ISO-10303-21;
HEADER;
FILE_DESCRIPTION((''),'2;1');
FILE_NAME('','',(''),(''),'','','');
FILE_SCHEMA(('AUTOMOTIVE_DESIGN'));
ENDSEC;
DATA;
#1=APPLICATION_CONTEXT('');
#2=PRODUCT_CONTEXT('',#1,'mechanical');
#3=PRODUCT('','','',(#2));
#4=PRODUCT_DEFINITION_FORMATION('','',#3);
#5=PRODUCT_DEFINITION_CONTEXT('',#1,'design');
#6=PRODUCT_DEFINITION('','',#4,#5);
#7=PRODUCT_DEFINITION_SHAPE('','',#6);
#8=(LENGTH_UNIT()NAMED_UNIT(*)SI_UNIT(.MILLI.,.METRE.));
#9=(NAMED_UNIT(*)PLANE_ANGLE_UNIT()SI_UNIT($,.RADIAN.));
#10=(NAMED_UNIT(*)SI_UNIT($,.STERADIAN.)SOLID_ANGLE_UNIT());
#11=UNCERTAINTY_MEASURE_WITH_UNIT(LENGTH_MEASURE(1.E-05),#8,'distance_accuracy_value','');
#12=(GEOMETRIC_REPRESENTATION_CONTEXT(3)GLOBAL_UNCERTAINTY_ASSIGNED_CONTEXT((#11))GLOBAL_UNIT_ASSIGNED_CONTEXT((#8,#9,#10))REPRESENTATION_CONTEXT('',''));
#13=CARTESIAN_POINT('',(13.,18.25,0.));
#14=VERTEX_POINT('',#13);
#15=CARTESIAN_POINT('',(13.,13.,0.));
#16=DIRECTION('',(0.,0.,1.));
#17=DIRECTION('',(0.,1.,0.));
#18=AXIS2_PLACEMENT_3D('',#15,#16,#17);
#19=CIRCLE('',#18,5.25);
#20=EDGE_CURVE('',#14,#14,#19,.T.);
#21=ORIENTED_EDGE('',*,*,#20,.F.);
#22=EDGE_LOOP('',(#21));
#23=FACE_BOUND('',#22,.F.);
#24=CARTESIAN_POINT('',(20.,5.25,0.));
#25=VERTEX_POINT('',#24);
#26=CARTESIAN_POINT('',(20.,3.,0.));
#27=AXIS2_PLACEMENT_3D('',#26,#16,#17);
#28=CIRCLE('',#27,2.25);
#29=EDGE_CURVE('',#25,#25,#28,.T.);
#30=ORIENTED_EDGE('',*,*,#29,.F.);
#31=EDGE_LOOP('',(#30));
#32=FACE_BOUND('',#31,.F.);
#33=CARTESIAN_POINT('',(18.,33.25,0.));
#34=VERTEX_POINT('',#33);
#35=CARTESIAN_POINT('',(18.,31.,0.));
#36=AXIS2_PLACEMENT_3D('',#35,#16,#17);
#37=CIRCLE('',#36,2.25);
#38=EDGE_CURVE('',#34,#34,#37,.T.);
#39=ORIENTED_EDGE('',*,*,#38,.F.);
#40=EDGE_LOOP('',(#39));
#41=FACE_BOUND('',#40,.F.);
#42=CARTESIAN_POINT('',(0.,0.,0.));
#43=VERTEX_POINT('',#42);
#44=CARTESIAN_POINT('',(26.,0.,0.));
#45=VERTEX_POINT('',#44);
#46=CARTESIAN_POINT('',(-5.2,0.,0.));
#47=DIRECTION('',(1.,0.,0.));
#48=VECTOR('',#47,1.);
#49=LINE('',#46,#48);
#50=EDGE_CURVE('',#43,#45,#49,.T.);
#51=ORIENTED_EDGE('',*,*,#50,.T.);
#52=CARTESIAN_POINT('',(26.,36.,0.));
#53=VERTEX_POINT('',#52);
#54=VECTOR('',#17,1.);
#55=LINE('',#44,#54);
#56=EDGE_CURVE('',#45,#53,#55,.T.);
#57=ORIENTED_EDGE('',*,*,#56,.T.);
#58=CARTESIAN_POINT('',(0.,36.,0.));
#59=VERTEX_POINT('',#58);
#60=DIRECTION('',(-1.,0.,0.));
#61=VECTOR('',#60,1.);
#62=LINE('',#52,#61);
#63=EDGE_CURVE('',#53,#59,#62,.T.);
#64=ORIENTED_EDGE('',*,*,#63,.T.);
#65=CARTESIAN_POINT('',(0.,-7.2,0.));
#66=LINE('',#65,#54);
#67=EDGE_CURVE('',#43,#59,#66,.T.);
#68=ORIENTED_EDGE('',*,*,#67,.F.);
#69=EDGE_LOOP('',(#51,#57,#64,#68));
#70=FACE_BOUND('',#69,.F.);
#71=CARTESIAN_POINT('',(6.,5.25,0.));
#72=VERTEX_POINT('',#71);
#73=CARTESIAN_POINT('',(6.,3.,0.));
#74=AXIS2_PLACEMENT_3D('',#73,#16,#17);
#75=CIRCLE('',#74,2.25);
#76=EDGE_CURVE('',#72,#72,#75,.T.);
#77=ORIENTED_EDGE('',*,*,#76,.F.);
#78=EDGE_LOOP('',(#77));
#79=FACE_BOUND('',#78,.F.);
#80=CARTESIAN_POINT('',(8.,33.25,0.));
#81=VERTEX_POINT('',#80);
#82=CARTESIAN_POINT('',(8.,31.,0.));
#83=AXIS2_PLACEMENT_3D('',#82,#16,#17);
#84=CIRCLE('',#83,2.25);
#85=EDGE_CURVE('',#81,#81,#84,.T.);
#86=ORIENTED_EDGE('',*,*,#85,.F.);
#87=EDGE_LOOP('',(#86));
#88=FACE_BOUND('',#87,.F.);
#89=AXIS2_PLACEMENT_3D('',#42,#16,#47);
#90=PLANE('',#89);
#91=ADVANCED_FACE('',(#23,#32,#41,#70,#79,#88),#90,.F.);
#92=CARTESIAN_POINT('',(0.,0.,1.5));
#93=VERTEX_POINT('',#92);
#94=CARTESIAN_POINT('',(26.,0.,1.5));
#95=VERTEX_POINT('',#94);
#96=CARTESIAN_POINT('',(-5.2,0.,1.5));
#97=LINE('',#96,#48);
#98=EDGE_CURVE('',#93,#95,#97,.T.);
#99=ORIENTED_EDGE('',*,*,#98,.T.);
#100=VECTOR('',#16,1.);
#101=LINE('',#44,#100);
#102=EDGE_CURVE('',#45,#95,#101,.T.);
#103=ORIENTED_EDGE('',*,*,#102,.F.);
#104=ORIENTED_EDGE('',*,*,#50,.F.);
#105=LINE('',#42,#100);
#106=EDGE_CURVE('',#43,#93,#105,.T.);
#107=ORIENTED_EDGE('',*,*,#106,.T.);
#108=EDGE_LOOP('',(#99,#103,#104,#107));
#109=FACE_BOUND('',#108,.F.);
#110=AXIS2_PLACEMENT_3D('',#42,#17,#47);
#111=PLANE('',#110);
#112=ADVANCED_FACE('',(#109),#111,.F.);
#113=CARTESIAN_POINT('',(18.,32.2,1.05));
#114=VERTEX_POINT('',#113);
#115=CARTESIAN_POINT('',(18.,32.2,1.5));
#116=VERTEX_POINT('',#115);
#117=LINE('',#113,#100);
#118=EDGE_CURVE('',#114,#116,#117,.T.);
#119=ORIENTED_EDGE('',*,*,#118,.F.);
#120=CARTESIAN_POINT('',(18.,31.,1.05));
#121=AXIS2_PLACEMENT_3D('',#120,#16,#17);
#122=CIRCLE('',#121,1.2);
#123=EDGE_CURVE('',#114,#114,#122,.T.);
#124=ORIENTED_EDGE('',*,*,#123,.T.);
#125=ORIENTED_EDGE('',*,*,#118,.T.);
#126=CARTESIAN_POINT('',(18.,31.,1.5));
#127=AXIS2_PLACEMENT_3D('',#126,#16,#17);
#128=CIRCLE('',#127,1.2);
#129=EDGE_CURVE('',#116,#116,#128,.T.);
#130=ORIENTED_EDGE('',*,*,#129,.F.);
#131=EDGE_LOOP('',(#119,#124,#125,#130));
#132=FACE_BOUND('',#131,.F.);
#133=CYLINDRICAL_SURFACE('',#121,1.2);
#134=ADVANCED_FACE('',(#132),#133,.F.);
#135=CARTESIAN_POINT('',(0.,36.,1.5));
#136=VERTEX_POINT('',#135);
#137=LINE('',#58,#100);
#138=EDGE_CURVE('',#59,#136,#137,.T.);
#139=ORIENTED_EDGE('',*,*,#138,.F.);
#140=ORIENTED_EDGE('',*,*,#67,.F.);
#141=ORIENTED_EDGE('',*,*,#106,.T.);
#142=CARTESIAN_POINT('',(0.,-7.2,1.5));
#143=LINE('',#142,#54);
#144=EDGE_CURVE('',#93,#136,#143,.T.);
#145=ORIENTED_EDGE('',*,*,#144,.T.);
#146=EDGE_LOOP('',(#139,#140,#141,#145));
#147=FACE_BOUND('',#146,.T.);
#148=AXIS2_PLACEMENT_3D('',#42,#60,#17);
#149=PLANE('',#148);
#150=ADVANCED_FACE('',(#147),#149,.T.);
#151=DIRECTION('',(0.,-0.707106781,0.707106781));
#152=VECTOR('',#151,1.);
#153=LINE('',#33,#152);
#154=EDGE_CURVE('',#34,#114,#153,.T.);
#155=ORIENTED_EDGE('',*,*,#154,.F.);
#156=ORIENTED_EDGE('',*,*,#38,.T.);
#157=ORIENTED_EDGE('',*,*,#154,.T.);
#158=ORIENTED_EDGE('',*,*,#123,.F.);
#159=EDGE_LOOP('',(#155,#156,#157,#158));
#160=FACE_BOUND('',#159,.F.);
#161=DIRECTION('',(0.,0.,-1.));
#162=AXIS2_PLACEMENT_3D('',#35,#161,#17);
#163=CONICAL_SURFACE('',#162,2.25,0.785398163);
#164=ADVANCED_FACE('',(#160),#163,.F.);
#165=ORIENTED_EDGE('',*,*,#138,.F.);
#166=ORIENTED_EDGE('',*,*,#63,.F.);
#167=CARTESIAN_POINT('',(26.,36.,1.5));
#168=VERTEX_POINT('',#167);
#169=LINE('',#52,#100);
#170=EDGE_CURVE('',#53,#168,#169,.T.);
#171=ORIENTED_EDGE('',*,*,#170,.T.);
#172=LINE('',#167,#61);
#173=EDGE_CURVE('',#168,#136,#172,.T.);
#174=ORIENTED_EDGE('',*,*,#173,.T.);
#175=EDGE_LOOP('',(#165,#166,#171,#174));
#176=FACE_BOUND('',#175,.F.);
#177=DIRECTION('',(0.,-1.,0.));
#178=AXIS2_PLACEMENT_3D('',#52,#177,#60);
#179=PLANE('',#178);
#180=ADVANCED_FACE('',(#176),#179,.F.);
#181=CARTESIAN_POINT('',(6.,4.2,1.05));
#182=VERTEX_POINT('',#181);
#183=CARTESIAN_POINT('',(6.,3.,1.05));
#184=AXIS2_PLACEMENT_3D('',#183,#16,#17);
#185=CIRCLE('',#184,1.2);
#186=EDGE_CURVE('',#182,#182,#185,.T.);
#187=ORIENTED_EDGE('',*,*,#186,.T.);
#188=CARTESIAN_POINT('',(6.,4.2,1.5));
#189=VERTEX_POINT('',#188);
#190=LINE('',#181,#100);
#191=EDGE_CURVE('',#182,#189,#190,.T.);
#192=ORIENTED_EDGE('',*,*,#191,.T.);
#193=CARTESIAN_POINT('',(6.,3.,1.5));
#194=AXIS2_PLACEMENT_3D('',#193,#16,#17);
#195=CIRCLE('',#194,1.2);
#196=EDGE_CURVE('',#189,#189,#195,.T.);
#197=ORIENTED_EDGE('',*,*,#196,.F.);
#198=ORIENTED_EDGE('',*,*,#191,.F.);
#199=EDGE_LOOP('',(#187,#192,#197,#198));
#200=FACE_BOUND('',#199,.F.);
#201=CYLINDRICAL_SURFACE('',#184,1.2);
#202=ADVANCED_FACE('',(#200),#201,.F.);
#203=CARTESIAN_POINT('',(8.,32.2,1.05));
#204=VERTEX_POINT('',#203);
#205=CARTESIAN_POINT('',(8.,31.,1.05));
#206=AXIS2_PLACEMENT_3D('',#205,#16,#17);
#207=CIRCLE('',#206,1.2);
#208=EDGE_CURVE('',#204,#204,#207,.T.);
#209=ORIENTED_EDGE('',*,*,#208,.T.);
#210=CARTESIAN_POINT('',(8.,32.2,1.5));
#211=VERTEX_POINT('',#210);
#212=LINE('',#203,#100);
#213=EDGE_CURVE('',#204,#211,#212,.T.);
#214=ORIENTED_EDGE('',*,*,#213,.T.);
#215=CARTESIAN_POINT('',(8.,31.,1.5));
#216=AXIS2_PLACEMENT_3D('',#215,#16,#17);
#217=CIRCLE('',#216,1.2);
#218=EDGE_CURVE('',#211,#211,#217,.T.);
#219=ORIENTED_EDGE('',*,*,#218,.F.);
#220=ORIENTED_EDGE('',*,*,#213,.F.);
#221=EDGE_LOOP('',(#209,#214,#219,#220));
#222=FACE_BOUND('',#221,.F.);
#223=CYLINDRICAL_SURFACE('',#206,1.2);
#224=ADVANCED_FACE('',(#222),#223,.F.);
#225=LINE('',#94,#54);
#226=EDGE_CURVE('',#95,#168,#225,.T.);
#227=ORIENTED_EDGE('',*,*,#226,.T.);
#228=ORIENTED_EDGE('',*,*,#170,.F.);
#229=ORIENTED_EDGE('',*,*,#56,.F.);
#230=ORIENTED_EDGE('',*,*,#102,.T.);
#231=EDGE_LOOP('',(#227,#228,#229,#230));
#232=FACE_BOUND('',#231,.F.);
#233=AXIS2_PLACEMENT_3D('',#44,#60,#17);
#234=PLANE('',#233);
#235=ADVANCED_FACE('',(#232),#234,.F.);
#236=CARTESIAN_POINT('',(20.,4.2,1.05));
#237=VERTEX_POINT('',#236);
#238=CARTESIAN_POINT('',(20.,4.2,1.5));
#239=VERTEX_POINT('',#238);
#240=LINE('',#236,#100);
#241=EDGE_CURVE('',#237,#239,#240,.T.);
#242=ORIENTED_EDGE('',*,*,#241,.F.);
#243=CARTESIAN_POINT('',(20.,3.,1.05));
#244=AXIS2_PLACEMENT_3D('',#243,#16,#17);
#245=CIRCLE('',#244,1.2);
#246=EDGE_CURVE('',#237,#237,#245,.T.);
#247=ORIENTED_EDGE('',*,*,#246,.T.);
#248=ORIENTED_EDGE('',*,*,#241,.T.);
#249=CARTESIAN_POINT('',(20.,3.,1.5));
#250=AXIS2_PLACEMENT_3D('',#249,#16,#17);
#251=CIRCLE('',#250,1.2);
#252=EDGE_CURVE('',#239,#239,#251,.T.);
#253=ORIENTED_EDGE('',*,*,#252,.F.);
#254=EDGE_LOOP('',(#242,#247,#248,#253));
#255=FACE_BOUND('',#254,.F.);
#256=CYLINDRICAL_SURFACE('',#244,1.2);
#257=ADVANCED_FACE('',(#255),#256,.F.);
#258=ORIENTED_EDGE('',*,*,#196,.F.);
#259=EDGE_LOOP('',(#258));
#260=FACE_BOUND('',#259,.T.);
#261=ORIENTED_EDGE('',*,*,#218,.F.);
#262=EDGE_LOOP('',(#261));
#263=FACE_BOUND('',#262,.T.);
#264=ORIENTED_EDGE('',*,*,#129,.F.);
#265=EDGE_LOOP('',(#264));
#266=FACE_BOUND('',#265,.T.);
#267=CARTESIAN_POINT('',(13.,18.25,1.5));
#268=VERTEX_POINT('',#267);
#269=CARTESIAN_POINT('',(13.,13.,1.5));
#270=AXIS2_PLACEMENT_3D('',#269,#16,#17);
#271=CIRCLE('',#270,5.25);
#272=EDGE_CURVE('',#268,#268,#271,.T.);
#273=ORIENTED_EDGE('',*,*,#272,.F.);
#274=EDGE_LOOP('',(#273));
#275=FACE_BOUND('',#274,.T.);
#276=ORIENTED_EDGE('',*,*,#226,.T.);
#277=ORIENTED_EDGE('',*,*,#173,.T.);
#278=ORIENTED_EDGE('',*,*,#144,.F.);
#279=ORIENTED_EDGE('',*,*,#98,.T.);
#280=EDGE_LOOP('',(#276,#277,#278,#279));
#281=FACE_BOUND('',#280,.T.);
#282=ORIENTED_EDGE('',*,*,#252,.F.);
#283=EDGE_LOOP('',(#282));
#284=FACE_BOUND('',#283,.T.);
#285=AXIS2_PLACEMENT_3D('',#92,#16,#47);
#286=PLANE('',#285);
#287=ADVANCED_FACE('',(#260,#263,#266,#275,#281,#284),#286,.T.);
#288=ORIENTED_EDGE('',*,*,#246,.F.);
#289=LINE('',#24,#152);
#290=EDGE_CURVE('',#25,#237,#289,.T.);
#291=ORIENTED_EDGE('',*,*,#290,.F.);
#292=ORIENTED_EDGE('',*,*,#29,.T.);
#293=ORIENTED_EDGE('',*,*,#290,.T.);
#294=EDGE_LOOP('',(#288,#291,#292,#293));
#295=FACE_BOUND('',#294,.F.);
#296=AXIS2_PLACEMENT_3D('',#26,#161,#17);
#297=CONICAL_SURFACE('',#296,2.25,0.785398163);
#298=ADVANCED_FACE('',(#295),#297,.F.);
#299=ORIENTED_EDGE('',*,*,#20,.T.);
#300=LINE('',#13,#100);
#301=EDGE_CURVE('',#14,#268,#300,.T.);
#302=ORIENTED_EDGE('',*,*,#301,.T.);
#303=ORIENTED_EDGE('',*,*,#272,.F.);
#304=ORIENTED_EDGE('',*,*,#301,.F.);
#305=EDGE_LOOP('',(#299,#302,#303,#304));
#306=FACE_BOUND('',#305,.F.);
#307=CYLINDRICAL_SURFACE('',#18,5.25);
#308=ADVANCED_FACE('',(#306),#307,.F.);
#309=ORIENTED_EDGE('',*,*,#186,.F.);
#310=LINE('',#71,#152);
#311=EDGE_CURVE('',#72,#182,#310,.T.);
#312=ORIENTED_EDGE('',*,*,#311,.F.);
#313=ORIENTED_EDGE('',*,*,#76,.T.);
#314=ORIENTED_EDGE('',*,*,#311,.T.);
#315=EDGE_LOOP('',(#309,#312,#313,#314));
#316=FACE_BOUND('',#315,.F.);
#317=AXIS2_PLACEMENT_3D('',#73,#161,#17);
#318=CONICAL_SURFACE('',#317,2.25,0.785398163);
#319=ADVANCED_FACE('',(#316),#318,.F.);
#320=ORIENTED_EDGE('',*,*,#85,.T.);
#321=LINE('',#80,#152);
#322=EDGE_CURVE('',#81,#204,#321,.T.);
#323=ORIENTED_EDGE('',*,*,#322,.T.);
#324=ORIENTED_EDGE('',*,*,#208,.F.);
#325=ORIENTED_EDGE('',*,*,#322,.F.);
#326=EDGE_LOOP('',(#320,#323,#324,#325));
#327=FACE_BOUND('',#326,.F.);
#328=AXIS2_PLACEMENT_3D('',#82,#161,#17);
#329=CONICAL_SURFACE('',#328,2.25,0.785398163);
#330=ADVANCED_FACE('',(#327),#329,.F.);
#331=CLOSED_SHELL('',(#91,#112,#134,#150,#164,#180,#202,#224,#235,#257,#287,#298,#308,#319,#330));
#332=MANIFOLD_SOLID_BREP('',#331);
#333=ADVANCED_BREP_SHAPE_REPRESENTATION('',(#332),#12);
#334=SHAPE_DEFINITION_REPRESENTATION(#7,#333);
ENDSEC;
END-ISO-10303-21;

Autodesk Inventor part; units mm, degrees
ref_plane "YZ Plane" through (0, 0, 0) normal (1, 0, 0) x (0, 1, 0)
ref_plane "XZ Plane" through (0, 0, 0) normal (0, 1, 0) x (-1, 0, 0)
ref_plane "XY Plane" through (0, 0, 0) normal (0, 0, 1) x (1, 0, 0)
sketch "Skizze1" plane through (0, 0, 0) normal (0, 0, 1) x (1, 0, 0)
  line L0 (-5.2, 0) -> (31.2, 0) projected
  line L1 (0, -7.2) -> (0, 43.2) projected
  line L2 (0, 0) -> (26, 0)
  line L3 (26, 0) -> (26, 36)
  line L4 (26, 36) -> (0, 36)
  line L5 (0, 36) -> (0, 0)
  dimension "d0" = 36
  dimension "d1" = 26
extrude "Extrusion1" add sketch "Skizze1" along normal blind 1.5
sketch "Skizze2" plane through (0, 0, 0) normal (0, 0, -1) x (-1, 0, 0)
  circle A0 centre (-13, 13) radius 4.8 projected
hole "Bohrung1" at (13, 13, 0) direction (0, 0, 1) diameter 10.5 end through all
sketch "Skizze3" plane through (0, 0, 0) normal (0, 0, -1) x (-1, 0, 0)
  line L0 (0, 0) -> (-26, 0) projected
  line L1 (-26, 36) -> (0, 36) projected
  line L2 (-20, 31) -> (-6, 31)
  line L3 (-6, 31) -> (-6, 3)
  line L4 (-6, 3) -> (-20, 3)
  line L5 (-20, 3) -> (-20, 31)
  line L6 (-13, 36) -> (-13, 0)
  point P0 (-18, 31)
  point P1 (-8, 31)
  dimension "d11" = 28
  dimension "d12" = 14
  dimension "d20" = 3
  dimension "d21" = 10
hole "Bohrung2" at (18, 31, 0) at (8, 31, 0) at (20, 3, 0) at (6, 3, 0) direction (0, 0, 1) diameter 2.4 end through all countersink diameter 4.5 countersink angle 90
properties part number "13_1087_021"
